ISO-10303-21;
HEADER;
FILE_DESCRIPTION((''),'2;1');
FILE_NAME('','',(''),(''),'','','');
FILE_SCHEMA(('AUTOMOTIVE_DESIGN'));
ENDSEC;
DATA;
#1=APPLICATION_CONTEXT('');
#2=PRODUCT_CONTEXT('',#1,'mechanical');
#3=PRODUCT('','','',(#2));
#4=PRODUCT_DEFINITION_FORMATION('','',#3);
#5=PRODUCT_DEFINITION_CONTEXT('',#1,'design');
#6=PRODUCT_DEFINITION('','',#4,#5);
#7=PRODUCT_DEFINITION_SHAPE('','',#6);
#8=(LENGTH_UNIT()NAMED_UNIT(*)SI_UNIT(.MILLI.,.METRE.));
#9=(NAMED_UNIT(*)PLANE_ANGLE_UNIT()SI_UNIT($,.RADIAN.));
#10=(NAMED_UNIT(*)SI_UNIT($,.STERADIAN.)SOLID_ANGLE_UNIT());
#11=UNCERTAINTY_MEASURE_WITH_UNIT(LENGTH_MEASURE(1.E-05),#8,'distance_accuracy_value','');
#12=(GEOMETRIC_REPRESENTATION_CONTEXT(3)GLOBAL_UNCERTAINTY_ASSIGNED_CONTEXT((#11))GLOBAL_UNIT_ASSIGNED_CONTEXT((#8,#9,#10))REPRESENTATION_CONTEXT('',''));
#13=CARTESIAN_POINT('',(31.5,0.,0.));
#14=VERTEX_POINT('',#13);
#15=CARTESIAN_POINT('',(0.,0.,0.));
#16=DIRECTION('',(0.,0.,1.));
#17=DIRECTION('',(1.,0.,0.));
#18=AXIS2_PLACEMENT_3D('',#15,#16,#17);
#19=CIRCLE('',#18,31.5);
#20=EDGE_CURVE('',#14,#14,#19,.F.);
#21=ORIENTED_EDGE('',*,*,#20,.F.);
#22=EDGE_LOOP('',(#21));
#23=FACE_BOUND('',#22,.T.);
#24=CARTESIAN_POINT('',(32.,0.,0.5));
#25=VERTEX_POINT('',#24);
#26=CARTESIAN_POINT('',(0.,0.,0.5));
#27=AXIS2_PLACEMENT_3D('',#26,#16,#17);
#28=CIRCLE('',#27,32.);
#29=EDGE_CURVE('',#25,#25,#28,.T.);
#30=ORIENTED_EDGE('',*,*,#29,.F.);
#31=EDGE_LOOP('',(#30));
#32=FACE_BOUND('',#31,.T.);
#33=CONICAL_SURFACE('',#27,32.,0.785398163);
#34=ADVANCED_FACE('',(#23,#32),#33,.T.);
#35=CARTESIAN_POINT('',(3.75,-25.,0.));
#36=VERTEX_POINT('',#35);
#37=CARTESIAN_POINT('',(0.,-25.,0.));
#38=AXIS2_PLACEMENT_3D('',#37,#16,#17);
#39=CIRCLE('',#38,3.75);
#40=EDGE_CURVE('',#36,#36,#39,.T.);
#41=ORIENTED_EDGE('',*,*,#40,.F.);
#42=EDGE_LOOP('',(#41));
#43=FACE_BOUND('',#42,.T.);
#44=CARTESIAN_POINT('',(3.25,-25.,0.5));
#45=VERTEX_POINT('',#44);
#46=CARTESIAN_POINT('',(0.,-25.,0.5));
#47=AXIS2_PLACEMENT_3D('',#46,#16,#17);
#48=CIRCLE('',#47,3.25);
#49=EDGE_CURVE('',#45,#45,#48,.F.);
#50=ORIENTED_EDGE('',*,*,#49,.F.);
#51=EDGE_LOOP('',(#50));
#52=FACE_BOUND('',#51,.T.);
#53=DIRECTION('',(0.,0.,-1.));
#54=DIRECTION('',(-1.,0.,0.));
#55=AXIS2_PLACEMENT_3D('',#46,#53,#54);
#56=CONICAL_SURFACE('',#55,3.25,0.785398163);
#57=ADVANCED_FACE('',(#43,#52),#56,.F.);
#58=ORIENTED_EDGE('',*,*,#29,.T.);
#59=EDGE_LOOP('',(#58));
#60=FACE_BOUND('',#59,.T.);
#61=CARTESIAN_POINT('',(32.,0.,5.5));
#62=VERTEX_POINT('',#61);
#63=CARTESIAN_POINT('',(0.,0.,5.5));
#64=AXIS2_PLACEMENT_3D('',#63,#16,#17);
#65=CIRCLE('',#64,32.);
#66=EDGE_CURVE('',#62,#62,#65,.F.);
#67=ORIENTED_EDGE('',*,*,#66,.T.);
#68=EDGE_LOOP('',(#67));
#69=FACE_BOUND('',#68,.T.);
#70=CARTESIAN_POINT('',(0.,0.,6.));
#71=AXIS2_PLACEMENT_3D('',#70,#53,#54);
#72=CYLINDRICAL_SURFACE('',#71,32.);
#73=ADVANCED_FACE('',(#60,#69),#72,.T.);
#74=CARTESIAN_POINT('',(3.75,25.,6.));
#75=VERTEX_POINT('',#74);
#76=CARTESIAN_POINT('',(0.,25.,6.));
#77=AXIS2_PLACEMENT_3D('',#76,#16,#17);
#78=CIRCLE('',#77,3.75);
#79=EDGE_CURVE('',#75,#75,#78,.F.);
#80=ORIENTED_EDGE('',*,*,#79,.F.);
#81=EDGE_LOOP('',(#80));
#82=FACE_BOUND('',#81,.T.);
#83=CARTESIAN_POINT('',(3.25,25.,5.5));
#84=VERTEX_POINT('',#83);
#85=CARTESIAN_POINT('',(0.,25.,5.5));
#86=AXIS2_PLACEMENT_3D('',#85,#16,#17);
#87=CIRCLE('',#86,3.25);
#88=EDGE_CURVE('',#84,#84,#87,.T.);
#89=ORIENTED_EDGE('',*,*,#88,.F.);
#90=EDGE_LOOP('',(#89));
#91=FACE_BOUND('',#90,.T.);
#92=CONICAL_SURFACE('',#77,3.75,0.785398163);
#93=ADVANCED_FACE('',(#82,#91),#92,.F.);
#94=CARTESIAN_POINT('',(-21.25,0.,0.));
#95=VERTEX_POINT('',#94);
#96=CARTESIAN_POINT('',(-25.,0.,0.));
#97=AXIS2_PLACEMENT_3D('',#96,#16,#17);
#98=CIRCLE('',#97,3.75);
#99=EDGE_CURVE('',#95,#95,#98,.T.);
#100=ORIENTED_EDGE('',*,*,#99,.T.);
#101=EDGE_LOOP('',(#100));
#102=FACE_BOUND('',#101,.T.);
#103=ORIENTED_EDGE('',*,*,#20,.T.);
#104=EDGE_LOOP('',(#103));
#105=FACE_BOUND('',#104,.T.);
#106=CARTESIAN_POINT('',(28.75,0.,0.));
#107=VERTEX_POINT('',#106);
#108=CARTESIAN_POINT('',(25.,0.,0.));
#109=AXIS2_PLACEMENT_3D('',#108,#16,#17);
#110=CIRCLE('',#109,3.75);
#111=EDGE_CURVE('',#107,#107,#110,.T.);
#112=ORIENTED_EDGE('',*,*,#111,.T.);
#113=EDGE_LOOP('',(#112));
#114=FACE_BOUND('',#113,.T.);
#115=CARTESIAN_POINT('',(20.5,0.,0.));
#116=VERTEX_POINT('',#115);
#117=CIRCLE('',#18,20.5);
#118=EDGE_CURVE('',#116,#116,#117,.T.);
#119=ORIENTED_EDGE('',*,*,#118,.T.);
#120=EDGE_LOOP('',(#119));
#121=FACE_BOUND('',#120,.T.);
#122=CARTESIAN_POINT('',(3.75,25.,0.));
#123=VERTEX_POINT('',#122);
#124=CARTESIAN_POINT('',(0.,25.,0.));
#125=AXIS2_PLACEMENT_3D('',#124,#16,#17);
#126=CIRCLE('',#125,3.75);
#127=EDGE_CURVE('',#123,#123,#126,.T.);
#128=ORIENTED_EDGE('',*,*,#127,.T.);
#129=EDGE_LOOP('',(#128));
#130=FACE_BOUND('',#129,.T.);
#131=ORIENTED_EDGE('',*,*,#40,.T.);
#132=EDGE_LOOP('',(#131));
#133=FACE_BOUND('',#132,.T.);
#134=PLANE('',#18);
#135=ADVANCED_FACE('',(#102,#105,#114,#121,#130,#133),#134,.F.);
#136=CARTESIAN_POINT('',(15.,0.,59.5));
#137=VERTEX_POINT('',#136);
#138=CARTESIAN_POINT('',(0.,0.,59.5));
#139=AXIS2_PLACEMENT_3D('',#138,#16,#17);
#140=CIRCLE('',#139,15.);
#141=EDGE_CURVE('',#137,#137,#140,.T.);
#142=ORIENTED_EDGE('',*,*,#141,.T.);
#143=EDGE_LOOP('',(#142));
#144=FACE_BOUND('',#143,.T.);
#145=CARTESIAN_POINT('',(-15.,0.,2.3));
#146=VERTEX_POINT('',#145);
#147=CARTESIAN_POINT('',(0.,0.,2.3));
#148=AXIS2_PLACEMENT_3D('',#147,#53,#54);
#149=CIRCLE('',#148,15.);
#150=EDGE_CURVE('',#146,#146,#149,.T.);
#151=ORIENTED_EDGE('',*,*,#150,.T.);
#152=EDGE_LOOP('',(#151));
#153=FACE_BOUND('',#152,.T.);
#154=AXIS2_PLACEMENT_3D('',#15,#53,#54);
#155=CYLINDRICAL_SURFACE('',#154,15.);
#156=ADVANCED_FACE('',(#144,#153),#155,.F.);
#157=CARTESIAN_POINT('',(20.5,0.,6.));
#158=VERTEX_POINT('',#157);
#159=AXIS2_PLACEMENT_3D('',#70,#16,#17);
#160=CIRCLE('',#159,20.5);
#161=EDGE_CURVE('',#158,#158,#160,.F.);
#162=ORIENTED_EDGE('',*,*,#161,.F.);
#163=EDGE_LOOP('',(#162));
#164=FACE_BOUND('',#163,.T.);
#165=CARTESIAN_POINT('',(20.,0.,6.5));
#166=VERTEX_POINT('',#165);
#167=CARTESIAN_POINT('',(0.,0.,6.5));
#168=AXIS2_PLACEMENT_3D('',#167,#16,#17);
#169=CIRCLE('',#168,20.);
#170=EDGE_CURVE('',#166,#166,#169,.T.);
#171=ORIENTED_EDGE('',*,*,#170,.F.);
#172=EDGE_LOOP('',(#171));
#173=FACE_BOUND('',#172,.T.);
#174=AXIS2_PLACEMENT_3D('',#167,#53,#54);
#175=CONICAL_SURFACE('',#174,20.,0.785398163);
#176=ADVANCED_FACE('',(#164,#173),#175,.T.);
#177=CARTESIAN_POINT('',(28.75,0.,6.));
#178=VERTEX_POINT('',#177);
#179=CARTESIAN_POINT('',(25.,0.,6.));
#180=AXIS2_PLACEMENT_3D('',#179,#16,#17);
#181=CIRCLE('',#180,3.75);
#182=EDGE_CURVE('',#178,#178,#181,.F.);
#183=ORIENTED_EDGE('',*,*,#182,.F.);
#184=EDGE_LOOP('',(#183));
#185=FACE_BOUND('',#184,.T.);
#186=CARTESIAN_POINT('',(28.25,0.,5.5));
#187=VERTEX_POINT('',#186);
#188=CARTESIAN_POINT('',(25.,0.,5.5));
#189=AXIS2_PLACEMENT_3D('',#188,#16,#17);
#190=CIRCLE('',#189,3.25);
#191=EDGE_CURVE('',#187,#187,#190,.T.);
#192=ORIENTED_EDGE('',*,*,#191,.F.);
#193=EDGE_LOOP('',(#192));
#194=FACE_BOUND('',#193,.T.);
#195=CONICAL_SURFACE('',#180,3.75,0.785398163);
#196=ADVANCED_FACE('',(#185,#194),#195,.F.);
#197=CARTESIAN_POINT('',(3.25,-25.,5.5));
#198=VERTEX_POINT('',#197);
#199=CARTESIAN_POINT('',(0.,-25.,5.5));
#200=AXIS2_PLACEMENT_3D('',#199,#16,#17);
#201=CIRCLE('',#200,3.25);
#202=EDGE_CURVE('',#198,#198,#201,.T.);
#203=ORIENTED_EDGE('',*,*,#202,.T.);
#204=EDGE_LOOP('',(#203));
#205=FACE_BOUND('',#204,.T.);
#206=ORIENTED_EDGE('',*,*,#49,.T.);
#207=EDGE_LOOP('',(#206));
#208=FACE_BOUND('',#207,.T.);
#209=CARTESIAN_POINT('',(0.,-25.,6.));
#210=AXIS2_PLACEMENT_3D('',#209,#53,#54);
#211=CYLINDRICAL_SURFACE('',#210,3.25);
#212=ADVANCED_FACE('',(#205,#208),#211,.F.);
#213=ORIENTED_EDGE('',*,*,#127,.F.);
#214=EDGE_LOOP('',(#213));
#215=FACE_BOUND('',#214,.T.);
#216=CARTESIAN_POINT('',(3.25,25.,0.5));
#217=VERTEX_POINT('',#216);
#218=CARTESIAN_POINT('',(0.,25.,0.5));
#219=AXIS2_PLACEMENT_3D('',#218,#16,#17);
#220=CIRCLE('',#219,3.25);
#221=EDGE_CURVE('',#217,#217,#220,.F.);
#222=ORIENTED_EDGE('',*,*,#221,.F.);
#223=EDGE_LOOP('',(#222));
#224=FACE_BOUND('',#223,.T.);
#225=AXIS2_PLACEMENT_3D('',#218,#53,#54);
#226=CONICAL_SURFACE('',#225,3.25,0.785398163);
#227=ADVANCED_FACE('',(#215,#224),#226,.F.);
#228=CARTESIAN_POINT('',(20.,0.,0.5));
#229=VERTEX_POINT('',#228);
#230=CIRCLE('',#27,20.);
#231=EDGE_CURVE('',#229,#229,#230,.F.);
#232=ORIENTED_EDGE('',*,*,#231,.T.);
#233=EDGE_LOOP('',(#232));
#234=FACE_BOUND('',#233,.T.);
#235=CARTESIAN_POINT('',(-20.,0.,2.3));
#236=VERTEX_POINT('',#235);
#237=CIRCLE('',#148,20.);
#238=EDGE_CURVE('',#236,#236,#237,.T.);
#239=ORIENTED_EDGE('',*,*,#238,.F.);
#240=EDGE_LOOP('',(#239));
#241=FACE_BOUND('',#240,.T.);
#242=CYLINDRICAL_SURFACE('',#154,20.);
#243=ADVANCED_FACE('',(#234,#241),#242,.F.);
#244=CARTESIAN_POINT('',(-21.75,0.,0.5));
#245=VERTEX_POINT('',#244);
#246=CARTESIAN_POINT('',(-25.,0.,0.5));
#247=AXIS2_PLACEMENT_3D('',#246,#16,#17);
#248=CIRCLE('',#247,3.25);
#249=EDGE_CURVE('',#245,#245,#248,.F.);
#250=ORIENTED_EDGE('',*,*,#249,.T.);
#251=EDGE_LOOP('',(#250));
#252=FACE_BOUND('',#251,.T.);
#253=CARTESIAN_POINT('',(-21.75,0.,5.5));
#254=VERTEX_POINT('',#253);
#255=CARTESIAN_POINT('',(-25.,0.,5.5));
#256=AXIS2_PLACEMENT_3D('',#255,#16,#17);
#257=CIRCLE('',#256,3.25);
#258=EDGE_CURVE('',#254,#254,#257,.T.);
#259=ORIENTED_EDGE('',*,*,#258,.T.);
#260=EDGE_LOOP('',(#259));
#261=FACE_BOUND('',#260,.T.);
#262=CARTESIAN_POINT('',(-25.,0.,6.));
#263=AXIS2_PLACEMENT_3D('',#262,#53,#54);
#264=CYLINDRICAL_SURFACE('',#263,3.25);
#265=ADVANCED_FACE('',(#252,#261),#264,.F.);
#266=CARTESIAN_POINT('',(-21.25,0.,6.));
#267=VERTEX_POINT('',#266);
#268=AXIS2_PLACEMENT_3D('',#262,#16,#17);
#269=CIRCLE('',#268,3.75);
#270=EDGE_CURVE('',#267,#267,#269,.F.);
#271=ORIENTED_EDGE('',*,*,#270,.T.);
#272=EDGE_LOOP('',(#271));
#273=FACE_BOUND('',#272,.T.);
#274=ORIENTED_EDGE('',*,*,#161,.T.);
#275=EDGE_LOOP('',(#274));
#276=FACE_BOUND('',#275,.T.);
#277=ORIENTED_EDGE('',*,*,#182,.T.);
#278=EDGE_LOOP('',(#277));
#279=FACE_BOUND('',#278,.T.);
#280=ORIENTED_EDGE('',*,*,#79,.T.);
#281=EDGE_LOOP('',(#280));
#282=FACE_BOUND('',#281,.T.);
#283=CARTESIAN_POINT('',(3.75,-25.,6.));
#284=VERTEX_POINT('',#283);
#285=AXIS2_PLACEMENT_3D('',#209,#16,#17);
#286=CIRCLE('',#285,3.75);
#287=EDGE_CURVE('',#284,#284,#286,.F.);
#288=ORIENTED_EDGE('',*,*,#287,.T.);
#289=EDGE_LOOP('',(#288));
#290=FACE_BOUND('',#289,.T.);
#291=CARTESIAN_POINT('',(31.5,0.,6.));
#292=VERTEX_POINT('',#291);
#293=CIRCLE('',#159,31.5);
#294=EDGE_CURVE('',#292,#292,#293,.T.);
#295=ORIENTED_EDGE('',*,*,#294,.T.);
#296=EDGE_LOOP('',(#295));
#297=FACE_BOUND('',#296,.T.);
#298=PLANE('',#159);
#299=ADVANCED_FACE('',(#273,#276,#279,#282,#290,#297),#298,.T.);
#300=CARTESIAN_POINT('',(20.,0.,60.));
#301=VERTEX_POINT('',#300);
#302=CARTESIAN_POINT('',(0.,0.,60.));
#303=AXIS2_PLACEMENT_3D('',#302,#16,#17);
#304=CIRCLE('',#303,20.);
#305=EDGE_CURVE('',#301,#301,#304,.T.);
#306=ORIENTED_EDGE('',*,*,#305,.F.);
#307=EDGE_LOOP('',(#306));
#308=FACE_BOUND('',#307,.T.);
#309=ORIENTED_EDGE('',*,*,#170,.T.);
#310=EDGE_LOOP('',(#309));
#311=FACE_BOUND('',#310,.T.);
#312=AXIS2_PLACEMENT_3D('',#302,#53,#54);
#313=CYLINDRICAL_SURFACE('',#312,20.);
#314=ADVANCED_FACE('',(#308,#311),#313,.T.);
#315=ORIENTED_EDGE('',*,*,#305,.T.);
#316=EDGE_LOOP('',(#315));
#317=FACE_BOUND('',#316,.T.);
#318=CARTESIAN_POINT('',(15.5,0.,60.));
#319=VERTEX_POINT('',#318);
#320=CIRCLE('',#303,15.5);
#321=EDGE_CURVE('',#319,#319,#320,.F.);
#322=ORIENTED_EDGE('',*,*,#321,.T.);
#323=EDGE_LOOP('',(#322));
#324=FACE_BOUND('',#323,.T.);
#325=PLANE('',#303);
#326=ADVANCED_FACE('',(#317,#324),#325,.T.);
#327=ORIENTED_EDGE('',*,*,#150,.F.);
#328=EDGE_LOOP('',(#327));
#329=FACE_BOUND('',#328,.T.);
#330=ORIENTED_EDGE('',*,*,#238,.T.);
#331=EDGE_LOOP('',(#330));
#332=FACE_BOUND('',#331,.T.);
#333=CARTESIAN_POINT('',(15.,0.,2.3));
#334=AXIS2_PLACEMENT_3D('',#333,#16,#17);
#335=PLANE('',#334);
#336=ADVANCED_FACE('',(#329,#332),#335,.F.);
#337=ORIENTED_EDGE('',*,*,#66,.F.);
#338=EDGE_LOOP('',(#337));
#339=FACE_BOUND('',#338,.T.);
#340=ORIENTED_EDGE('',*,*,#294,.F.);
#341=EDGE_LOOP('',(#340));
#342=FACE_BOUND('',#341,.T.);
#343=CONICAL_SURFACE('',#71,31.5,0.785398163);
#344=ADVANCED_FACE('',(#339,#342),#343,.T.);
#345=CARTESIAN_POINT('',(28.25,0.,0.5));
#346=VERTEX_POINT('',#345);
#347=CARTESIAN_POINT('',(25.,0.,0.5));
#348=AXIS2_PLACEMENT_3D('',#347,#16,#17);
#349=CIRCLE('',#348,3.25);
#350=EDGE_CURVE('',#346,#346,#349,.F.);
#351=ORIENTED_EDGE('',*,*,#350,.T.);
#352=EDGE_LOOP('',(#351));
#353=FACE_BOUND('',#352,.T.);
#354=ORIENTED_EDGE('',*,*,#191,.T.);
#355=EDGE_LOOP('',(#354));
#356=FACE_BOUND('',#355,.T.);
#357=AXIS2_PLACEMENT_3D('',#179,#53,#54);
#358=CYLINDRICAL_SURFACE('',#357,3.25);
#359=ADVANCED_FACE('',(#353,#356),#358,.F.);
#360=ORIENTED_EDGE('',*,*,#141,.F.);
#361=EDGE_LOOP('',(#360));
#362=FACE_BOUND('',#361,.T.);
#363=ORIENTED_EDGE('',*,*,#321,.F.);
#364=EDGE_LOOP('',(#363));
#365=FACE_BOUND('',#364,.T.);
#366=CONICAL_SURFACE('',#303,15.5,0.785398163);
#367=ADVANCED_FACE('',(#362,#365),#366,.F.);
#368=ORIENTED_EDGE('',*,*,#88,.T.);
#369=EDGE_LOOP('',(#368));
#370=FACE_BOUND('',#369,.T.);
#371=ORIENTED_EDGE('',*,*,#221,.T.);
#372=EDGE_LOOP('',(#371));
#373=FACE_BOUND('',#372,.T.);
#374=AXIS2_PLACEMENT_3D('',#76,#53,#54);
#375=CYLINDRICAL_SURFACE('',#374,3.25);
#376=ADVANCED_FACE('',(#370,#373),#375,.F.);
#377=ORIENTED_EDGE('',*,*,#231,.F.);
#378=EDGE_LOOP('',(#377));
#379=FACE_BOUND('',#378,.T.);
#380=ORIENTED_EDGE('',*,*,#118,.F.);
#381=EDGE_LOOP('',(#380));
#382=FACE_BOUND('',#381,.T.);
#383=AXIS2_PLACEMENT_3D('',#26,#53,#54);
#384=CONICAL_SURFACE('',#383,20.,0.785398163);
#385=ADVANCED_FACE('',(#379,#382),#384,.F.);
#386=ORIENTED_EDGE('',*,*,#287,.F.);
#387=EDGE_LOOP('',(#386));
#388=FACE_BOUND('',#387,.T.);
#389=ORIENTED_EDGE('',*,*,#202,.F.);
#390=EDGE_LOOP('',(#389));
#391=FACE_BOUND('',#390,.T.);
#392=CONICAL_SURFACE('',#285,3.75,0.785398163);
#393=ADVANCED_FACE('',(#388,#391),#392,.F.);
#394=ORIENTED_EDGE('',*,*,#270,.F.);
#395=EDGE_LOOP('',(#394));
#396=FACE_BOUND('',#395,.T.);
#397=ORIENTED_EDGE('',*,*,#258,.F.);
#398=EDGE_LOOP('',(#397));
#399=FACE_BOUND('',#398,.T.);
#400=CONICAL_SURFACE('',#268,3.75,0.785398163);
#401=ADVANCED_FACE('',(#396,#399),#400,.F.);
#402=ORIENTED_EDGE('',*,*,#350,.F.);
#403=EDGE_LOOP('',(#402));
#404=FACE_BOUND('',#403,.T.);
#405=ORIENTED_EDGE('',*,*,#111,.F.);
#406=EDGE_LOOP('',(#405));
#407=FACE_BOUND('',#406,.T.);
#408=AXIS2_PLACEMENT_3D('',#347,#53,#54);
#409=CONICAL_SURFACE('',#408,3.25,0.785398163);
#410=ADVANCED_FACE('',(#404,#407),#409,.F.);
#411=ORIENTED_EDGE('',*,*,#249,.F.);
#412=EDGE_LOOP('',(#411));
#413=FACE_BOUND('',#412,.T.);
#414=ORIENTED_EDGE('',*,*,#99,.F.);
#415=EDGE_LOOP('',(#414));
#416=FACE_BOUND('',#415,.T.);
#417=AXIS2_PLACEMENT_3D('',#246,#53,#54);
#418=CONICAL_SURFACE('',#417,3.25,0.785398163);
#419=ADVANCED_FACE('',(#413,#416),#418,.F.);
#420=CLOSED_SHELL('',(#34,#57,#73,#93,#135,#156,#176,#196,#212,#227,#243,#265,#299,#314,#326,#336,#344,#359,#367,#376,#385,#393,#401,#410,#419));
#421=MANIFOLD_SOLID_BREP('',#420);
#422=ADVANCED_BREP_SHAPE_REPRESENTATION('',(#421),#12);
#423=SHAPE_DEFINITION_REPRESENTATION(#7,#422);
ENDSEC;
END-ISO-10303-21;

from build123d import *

# Parameters (mm, degrees)
SKETCH1_R                               = 32
SKETCH1_R_2                             = 20
BOSS_EXTRUDE1_DEPTH                     = 6
SKETCH1_2_R                             = 20
BOSS_EXTRUDE2_DEPTH                     = 60
CBORE_FOR_M6_HEX_HEAD_BOLT1_D           = 30
CBORE_FOR_M6_HEX_HEAD_BOLT1_CBORE_D     = 40
CBORE_FOR_M6_HEX_HEAD_BOLT1_CBORE_DEPTH = 2.3
SKETCH7_R                               = 3.25
CUT_EXTRUDE1_DEPTH                      = 6
CHAMFER1_SIZE                           = 0.5


with BuildPart() as part:
    # Sketch1 → Boss-Extrude1 (new body)
    with BuildSketch(Plane.XY):
        Circle(SKETCH1_R)
        Circle(SKETCH1_R_2, mode=Mode.SUBTRACT)
    extrude(amount=BOSS_EXTRUDE1_DEPTH)

    # Sketch1<2> → Boss-Extrude2 (add)
    with BuildSketch(Plane.XY):
        Circle(SKETCH1_2_R)
    extrude(amount=BOSS_EXTRUDE2_DEPTH)

    # CBORE for M6 Hex Head Bolt1 (through all)
    with Locations(Plane(origin=(0, 0, 0), x_dir=(-1, 0, 0), z_dir=(0, 0, -1))):
        with Locations((0, 0)):
            CounterBoreHole(CBORE_FOR_M6_HEX_HEAD_BOLT1_D / 2, CBORE_FOR_M6_HEX_HEAD_BOLT1_CBORE_D / 2, CBORE_FOR_M6_HEX_HEAD_BOLT1_CBORE_DEPTH)

    # Sketch7 → Cut-Extrude1 (cut)
    with BuildSketch(Plane(origin=(0, 0, 0), x_dir=(-1, 0, 0), z_dir=(0, 0, -1))):
        with Locations((0, 25)):
            Circle(SKETCH7_R)
        with Locations((25, 0)):
            Circle(SKETCH7_R)
        with Locations((0, -25)):
            Circle(SKETCH7_R)
        with Locations((-25, 0)):
            Circle(SKETCH7_R)
    extrude(amount=-CUT_EXTRUDE1_DEPTH, mode=Mode.SUBTRACT)

    # Chamfer1
    chamfer1_edges = [part.edges().sort_by_distance(p)[0] for p in [
        (20, 0, 0),
        (-15, 0, 60),
        (-32, 0, 0),
        (3.25, 25, 6),
        (3.25, 25, 0),
        (-21.75, 0, 6),
        (-21.75, 0, 0),
        (3.25, -25, 6),
        (3.25, -25, 0),
        (28.25, 0, 6),
        (28.25, 0, 0),
        (-32, 0, 6),
        (-20, 0, 6),
    ]]
    chamfer(chamfer1_edges, length=CHAMFER1_SIZE)


solid = part.part
